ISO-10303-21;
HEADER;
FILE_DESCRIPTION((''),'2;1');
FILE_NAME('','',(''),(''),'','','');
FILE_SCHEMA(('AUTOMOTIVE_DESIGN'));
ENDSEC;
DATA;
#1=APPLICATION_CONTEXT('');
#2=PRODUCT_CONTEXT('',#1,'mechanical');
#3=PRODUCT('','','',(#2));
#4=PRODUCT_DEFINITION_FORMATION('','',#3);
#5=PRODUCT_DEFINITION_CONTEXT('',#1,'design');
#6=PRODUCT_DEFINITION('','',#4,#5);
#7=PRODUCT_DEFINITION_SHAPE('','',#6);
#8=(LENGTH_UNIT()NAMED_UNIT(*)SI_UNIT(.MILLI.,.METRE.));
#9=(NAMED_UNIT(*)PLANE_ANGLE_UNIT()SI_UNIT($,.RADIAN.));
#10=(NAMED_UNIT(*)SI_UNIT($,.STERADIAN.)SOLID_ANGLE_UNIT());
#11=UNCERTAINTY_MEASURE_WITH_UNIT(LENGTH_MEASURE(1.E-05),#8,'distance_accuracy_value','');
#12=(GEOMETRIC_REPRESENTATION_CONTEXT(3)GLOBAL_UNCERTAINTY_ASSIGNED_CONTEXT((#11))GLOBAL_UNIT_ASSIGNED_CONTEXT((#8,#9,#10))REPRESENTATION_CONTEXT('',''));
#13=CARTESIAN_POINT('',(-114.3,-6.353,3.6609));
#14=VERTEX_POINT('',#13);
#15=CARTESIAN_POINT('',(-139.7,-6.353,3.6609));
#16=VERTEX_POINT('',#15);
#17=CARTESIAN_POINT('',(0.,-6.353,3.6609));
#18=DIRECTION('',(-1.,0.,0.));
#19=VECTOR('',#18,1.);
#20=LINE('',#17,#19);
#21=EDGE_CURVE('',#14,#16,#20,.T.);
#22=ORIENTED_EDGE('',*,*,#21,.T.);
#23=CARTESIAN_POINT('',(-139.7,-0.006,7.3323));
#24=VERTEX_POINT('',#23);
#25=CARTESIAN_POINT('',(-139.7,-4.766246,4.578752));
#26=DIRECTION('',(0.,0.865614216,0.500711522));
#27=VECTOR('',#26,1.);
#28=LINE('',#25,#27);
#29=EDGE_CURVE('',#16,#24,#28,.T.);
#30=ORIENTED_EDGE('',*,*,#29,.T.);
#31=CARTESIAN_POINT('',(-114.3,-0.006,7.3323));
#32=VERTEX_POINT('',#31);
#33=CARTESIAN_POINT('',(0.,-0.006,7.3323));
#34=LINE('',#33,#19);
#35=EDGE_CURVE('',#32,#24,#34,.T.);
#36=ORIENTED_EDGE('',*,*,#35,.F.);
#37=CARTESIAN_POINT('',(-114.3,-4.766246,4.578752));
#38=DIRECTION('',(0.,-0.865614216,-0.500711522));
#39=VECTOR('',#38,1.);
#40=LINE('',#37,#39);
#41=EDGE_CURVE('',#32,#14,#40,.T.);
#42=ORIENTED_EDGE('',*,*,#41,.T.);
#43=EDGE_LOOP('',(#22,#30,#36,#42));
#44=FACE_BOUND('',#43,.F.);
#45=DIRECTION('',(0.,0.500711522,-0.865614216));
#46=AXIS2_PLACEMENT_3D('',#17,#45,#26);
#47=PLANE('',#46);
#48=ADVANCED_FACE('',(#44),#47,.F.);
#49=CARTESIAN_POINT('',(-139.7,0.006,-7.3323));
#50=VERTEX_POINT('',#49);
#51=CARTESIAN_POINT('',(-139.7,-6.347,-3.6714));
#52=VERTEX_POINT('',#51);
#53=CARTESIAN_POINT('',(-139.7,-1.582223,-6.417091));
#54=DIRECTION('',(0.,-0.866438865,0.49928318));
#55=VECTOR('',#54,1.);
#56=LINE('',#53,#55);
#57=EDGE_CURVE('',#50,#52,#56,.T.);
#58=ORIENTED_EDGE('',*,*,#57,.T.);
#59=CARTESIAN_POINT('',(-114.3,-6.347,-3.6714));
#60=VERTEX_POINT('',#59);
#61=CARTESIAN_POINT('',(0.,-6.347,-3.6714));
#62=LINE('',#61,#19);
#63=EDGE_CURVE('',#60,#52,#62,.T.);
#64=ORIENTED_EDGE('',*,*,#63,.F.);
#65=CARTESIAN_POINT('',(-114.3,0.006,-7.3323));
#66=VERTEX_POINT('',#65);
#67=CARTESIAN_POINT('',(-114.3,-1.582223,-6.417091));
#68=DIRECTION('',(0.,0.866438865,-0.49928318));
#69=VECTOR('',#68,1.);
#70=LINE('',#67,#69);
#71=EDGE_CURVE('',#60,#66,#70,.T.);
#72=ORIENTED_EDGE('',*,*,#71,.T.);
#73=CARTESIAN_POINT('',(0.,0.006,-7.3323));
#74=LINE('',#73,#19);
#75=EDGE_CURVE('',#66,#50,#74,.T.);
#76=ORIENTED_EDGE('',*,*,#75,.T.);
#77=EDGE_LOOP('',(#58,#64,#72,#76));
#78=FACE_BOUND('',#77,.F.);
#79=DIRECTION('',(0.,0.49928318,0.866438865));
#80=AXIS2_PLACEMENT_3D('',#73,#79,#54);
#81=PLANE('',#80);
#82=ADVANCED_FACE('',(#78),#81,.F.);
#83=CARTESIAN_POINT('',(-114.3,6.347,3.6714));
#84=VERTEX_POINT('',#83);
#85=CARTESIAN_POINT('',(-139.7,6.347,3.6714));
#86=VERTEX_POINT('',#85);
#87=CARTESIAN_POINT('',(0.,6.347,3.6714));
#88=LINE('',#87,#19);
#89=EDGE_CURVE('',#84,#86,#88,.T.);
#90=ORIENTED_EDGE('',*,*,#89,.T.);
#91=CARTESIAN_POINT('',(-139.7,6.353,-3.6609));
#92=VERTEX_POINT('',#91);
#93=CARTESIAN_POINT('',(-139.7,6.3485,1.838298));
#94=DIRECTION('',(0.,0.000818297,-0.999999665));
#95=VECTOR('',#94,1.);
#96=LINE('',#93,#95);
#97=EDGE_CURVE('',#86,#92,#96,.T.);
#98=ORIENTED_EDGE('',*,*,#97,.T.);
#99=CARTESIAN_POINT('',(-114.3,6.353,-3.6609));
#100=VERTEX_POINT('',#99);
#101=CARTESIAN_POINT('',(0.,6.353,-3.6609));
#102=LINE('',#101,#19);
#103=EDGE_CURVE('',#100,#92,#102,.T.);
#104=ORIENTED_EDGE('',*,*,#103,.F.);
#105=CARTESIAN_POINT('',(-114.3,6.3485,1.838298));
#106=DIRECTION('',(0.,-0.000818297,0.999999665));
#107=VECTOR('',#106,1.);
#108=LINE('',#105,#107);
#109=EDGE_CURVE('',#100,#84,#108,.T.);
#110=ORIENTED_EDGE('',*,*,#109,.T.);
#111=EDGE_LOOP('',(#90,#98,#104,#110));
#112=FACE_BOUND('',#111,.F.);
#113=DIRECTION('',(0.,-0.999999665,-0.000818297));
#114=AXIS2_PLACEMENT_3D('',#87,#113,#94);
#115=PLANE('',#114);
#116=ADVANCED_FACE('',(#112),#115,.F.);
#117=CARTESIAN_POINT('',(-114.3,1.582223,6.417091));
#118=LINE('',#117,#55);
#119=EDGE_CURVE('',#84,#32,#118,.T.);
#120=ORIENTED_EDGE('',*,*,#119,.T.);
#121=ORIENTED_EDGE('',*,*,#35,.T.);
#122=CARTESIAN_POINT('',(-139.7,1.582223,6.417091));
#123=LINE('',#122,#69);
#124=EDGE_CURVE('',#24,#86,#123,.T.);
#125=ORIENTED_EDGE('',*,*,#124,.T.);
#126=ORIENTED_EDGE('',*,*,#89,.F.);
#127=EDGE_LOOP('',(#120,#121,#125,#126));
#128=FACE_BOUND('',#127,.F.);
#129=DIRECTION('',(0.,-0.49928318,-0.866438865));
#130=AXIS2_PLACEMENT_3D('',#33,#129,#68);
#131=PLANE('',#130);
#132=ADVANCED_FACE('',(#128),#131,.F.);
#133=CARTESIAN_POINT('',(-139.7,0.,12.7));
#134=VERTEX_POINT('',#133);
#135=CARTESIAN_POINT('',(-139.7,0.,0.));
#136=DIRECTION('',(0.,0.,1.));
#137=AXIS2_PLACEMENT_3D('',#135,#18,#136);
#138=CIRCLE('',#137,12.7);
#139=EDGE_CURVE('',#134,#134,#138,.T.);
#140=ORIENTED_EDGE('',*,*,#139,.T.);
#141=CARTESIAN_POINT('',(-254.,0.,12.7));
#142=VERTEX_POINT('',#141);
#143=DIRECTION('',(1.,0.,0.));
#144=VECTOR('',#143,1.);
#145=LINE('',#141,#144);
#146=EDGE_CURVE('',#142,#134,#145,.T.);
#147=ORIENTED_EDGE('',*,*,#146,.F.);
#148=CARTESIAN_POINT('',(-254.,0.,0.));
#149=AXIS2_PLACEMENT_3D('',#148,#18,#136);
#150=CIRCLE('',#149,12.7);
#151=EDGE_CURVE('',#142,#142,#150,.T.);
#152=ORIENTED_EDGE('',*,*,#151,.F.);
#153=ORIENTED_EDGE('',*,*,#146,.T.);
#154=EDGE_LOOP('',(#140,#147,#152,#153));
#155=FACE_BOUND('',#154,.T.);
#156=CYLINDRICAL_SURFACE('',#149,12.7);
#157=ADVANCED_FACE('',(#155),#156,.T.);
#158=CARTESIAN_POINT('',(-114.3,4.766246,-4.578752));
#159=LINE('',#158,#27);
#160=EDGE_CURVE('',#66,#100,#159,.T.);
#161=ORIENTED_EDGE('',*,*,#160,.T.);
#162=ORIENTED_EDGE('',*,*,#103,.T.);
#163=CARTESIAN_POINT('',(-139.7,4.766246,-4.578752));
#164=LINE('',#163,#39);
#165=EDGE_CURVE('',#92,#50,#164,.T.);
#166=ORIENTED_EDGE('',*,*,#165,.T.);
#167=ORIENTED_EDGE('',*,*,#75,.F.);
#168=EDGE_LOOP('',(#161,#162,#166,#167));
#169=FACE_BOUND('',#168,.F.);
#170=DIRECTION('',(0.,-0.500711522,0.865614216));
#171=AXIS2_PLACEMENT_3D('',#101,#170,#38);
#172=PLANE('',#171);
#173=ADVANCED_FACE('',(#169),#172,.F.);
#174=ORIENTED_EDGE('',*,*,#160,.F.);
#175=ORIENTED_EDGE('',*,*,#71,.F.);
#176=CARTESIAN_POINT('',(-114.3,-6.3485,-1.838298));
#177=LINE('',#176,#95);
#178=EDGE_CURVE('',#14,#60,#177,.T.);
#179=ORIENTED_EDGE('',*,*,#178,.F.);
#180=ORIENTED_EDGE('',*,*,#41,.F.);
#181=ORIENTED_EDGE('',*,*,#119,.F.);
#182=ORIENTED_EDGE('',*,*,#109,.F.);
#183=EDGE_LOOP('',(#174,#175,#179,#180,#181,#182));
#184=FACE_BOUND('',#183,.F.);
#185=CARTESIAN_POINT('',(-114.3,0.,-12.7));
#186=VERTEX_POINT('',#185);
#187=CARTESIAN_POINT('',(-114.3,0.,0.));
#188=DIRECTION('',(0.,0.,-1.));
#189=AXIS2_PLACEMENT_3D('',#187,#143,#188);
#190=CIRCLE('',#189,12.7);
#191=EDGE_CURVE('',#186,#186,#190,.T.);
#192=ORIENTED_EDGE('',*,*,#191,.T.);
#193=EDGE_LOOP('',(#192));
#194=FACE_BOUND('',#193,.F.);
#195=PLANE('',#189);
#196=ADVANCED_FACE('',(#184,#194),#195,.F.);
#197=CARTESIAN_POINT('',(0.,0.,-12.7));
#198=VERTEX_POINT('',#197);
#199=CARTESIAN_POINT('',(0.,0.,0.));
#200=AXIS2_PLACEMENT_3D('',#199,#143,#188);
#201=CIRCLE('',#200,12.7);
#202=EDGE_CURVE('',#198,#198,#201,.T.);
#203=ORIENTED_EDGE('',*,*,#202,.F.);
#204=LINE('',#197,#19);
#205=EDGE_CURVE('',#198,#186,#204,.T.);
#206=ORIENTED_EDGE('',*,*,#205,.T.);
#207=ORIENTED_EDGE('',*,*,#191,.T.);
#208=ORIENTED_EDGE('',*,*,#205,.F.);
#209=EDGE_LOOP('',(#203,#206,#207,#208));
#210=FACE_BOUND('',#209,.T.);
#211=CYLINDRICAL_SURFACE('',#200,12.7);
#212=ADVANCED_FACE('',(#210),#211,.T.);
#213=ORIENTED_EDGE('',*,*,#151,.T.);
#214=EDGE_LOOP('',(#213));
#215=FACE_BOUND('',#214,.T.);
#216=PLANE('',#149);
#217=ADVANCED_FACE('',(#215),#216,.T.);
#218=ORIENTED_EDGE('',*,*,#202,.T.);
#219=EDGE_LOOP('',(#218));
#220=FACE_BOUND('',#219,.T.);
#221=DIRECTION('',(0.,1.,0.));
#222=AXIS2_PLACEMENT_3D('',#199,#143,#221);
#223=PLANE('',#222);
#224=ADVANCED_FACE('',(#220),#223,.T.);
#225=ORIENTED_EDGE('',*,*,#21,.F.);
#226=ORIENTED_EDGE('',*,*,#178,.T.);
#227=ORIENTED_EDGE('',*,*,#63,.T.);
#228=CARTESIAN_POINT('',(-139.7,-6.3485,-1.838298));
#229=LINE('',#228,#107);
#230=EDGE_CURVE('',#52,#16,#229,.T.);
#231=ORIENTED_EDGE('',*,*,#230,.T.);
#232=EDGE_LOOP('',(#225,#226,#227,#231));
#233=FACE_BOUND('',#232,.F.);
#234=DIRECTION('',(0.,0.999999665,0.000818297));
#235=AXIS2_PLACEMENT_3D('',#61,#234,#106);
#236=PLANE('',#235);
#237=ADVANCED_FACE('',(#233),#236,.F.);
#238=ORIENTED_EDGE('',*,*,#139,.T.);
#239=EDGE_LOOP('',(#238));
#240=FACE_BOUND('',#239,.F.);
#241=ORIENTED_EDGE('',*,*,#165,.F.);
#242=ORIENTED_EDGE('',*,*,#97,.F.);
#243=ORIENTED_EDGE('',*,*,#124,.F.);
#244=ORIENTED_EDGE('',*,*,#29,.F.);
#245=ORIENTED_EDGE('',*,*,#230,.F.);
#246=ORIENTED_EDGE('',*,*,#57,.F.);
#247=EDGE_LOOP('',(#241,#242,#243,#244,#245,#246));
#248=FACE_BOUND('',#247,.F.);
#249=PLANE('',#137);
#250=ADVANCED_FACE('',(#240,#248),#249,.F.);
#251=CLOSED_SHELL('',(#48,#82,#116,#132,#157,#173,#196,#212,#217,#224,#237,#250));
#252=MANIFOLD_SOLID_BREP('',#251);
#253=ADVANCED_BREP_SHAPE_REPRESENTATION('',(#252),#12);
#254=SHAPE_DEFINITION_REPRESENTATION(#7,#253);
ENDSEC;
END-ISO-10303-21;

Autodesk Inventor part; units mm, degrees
ref_plane "YZ Plane" through (0, 0, 0) normal (1, 0, 0) x (0, 1, 0)
ref_plane "XZ Plane" through (0, 0, 0) normal (0, 1, 0) x (-1, 0, 0)
ref_plane "XY Plane" through (0, 0, 0) normal (0, 0, 1) x (1, 0, 0)
sketch "Sketch1" plane through (0, 0, 0) normal (1, 0, 0) x (0, 1, 0)
  circle A0 centre (0, 0) radius 12.7
  dimension "d0" = 25.4
extrude "Extrusion1" add sketch "Sketch1" against normal blind 254
sketch "Sketch2" plane through (0, 0, 0) normal (1, 0, 0) x (0, 0, -1)
  line L0 (3.6609, 6.353) -> (7.3323, 0.006)
  line L1 (7.3323, 0.006) -> (3.6714, -6.347)
  line L2 (3.6714, -6.347) -> (-3.6609, -6.353)
  line L3 (-3.6609, -6.353) -> (-7.3323, -0.006)
  line L4 (-7.3323, -0.006) -> (-3.6714, 6.347)
  line L5 (-3.6714, 6.347) -> (3.6609, 6.353)
  circle A0 centre (0, 0) radius 12.7
  dimension "d3" = 6.35
extrude "Extrusion2" cut sketch "Sketch2" against normal blind 254
extrude "Extrusion3" add sketch "Sketch2" against normal blind 114.3 contours L0 L1 L2 L3 L4 L5 | A0
sketch "Sketch3" plane through (-254, 0, 0) normal (-1, 0, 0) x (0, 0, 1)
  circle A0 centre (0, 0) radius 12.7 projected
  circle A1 centre (0, 0) radius 12.7
extrude "Extrusion4" add sketch "Sketch3" against normal blind 114.3
properties part number "pin"
